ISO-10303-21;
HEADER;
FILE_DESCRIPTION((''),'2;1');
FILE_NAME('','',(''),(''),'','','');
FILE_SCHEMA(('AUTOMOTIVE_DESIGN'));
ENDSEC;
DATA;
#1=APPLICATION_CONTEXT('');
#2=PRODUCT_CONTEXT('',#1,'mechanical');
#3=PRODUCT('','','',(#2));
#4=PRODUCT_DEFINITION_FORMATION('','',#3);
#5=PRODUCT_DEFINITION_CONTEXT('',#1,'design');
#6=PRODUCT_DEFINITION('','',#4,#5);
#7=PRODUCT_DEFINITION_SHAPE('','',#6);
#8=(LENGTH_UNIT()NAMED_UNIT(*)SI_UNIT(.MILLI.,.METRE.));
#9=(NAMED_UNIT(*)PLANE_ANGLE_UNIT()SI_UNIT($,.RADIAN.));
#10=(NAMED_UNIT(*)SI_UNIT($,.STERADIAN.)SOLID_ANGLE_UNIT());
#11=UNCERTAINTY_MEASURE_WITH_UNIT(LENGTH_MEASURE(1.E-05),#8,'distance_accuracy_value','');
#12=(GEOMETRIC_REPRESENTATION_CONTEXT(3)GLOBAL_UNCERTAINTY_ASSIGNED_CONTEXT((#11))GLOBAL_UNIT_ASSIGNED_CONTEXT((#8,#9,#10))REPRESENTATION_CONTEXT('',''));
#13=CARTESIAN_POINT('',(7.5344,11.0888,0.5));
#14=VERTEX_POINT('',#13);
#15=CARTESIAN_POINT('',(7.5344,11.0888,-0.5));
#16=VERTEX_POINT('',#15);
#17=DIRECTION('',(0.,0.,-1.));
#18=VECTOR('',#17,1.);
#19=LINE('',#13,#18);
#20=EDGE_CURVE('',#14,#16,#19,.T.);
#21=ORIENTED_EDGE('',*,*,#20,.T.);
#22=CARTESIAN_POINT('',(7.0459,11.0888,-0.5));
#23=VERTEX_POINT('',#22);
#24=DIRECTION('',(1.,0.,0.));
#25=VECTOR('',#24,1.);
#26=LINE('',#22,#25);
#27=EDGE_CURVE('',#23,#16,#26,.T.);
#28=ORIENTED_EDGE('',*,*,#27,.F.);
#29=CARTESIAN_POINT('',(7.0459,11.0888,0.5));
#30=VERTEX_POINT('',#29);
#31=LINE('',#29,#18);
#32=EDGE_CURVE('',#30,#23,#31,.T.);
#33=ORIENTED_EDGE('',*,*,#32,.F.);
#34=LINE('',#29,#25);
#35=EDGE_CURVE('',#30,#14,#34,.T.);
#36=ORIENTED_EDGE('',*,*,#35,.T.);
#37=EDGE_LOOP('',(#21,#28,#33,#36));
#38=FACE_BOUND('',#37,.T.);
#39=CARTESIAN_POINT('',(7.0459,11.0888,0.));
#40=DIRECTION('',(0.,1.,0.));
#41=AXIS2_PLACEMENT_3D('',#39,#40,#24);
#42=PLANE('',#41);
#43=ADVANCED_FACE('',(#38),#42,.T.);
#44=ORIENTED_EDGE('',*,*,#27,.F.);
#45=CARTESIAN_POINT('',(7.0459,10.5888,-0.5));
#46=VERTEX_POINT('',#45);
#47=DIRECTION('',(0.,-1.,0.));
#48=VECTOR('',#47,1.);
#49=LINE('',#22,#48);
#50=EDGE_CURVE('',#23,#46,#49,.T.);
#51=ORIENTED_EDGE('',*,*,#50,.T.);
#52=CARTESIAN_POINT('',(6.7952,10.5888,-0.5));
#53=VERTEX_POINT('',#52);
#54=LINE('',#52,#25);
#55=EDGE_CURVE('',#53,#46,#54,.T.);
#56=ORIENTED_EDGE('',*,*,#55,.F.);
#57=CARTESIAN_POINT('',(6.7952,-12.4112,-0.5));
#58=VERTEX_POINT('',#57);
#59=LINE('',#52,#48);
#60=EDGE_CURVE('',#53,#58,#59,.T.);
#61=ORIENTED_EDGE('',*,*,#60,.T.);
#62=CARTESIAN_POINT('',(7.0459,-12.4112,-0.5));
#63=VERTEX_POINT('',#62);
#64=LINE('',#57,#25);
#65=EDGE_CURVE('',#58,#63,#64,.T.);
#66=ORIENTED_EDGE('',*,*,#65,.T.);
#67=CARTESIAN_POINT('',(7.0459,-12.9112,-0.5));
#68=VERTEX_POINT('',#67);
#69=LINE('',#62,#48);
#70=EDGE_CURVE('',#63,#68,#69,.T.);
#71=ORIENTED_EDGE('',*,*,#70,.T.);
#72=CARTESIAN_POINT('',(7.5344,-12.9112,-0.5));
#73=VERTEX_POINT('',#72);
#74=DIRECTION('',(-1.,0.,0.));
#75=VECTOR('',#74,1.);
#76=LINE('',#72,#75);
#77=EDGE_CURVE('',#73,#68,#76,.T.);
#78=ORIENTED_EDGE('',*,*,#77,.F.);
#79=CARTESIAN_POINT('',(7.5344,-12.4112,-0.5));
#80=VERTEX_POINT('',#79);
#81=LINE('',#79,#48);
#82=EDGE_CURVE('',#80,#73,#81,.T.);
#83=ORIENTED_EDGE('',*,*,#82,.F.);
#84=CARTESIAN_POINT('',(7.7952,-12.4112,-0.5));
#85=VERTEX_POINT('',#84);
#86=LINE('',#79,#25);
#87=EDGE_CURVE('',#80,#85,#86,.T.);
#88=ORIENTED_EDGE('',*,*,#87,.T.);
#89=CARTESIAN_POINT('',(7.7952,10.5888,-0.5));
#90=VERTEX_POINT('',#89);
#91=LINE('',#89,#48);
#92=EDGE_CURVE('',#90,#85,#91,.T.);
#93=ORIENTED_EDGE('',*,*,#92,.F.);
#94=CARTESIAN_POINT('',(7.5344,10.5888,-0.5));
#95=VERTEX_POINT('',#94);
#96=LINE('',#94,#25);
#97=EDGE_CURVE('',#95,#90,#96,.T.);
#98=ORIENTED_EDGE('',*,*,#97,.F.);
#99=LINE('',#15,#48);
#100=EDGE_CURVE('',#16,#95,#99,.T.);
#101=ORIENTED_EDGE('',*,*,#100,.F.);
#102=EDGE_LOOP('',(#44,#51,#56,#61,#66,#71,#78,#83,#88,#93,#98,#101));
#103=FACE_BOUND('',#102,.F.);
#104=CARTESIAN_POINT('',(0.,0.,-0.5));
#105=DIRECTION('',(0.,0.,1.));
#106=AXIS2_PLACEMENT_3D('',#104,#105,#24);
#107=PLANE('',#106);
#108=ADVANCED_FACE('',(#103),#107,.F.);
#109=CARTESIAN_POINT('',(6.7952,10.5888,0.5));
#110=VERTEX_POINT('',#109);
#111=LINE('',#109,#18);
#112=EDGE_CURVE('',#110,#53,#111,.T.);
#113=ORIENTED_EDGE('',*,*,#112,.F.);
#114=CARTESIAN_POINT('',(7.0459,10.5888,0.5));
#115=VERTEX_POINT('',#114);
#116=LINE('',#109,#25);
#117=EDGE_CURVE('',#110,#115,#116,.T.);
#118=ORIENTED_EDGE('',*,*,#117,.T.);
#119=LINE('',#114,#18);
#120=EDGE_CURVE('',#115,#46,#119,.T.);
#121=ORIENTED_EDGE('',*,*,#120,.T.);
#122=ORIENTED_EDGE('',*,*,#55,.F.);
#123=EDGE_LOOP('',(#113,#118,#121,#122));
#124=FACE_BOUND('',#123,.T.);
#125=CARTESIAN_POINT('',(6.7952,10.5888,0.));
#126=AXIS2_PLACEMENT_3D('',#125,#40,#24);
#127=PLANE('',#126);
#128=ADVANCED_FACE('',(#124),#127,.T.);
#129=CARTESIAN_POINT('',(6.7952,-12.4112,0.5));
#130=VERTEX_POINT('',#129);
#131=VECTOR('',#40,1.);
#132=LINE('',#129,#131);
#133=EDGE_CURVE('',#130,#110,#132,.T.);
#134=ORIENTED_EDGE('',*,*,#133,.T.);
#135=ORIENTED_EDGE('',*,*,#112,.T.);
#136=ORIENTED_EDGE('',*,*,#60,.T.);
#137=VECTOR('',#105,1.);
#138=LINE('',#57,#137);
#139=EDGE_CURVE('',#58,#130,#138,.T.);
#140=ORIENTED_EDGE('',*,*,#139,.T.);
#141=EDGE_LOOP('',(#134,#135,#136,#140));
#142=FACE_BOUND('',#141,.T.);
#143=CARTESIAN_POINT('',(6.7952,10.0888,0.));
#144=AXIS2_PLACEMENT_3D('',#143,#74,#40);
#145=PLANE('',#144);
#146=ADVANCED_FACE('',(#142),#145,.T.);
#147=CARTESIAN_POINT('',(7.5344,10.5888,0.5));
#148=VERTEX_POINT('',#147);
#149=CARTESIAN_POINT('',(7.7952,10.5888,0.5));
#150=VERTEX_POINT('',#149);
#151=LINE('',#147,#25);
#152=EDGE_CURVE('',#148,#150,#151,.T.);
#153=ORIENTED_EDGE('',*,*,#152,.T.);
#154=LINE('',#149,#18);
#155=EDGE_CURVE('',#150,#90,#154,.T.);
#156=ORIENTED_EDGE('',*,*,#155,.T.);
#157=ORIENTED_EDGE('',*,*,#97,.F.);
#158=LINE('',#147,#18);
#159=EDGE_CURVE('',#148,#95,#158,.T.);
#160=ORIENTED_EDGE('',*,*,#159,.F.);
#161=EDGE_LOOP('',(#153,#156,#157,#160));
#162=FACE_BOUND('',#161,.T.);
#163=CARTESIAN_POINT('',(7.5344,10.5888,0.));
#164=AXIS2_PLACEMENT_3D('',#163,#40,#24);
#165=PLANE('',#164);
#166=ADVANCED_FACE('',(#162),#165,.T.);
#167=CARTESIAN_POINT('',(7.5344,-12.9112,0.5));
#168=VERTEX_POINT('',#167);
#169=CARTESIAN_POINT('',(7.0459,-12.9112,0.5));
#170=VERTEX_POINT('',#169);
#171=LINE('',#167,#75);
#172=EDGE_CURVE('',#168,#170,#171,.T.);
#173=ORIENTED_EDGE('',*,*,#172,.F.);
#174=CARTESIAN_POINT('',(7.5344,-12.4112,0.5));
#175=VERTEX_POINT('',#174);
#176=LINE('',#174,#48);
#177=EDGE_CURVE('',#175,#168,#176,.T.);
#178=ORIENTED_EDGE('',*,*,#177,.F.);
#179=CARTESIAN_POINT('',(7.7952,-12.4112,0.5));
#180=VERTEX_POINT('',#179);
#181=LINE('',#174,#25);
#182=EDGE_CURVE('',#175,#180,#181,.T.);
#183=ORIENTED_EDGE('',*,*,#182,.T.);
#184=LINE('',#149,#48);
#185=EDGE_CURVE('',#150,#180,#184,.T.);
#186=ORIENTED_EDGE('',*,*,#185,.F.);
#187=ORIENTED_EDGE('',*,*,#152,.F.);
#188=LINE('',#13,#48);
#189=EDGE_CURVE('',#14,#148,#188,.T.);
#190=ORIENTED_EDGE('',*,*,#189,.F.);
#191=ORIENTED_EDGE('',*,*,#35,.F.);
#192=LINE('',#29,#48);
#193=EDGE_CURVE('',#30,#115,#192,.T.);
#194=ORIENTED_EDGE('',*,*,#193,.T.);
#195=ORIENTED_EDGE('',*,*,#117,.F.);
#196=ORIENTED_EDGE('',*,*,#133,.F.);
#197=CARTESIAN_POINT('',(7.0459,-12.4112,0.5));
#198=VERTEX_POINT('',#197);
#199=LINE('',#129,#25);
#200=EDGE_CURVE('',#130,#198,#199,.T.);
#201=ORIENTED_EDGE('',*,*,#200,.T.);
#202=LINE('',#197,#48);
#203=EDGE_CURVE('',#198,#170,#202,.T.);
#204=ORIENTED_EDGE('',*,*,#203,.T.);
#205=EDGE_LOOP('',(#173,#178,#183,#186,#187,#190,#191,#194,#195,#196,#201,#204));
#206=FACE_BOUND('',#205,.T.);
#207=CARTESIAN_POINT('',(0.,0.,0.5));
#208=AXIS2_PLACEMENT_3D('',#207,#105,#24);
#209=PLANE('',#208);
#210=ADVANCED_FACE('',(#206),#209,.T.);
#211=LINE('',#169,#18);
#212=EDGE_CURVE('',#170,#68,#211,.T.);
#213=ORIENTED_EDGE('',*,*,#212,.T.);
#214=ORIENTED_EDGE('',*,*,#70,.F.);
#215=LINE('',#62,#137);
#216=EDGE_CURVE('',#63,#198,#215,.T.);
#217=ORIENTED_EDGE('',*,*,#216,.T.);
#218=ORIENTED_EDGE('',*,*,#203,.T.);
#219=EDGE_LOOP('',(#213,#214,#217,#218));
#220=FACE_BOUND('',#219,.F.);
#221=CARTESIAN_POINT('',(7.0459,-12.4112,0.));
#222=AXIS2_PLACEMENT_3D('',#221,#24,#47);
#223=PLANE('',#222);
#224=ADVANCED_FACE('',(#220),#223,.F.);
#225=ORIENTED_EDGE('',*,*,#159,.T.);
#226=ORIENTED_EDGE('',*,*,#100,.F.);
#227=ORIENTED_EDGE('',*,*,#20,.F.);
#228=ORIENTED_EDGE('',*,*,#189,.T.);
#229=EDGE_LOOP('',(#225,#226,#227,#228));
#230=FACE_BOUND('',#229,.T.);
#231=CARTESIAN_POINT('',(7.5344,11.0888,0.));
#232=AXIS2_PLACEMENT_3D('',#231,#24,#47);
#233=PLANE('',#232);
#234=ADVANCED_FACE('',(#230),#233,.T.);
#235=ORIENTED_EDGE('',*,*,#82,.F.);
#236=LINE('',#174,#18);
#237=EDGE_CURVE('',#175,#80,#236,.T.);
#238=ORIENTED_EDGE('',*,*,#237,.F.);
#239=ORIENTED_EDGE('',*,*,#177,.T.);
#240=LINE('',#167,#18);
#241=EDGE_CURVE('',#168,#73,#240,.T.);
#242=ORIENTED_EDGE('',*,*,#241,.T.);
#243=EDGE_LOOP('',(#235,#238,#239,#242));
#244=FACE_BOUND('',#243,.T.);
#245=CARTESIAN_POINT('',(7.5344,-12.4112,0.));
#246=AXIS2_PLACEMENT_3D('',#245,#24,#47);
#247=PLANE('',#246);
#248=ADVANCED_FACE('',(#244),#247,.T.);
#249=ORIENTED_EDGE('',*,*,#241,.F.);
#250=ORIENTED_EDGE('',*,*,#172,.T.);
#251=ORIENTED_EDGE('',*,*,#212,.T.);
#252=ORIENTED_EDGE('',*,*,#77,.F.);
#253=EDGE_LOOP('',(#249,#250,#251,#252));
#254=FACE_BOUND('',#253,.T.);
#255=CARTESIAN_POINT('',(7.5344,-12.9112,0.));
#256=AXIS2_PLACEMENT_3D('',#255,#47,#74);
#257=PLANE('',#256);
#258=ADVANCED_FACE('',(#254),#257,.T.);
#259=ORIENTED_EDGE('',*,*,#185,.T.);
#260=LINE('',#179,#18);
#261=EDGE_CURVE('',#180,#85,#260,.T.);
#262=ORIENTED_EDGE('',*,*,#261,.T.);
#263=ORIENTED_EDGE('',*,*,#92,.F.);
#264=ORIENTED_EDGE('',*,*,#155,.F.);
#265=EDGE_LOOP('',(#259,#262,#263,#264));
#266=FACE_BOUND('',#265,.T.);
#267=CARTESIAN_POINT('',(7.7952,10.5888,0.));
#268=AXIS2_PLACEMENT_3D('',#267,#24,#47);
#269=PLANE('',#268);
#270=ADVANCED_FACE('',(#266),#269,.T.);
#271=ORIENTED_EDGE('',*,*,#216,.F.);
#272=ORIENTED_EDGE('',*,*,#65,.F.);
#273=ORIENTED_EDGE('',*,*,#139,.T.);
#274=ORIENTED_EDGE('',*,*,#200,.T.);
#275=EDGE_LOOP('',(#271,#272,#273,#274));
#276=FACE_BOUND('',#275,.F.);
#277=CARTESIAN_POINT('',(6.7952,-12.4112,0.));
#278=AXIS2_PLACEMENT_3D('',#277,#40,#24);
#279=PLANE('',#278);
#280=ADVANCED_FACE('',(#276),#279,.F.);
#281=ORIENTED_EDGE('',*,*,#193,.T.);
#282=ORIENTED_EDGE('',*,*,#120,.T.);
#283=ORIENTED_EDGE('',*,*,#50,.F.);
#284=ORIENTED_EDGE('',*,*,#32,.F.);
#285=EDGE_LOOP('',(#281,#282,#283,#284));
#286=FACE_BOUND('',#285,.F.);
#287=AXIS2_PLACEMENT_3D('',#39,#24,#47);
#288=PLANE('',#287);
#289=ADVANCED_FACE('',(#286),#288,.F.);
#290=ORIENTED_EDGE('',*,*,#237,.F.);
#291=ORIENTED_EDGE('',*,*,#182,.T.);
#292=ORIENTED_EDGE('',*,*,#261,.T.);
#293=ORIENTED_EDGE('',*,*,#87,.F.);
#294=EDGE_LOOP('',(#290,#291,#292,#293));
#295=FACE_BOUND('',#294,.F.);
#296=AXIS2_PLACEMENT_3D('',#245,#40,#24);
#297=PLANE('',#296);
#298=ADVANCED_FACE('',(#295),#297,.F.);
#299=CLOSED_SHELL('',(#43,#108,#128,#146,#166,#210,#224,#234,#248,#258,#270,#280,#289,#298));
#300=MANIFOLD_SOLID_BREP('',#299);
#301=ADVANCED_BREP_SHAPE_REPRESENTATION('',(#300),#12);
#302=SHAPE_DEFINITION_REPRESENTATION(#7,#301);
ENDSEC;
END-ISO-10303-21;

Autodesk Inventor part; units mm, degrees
ref_plane "YZ Plane" through (0, 0, 0) normal (1, 0, 0) x (0, 1, 0)
ref_plane "XZ Plane" through (0, 0, 0) normal (0, 1, 0) x (-1, 0, 0)
ref_plane "XY Plane" through (0, 0, 0) normal (0, 0, 1) x (1, 0, 0)
sketch "Boceto1" plane through (0, 0, 0) normal (0, 0, 1) x (1, 0, 0)
  line L0 (6.7952, 10.0888) -> (6.7952, -12.4112)
  line L1 (7.0459, 11.0888) -> (7.5344, 11.0888)
  line L2 (7.0459, -12.4112) -> (7.0459, -12.9112)
  line L3 (7.5344, -12.4112) -> (7.5344, -12.9112)
  line L4 (7.5344, -12.9112) -> (7.0459, -12.9112)
  line L5 (6.7952, -12.4112) -> (7.0459, -12.4112)
  line L6 (7.5344, -12.4112) -> (7.7952, -12.4112)
  line L7 (6.7952, 10.0888) -> (6.7952, 10.5888)
  line L8 (7.0459, 11.0888) -> (7.5344, 11.0888)
  line L9 (7.5344, 11.0888) -> (7.5344, 10.5888)
  line L10 (7.0459, 11.0888) -> (7.0459, 10.5888)
  line L11 (6.7952, 10.5888) -> (7.0459, 10.5888)
  line L12 (7.5344, 10.5888) -> (7.7952, 10.5888)
  line L13 (7.7952, 10.5888) -> (7.7952, -12.4112)
  point P0 (0, 0)
extrude "Extrusión1" add sketch "Boceto1" along normal mid plane 1
properties part number "pieza individual"
